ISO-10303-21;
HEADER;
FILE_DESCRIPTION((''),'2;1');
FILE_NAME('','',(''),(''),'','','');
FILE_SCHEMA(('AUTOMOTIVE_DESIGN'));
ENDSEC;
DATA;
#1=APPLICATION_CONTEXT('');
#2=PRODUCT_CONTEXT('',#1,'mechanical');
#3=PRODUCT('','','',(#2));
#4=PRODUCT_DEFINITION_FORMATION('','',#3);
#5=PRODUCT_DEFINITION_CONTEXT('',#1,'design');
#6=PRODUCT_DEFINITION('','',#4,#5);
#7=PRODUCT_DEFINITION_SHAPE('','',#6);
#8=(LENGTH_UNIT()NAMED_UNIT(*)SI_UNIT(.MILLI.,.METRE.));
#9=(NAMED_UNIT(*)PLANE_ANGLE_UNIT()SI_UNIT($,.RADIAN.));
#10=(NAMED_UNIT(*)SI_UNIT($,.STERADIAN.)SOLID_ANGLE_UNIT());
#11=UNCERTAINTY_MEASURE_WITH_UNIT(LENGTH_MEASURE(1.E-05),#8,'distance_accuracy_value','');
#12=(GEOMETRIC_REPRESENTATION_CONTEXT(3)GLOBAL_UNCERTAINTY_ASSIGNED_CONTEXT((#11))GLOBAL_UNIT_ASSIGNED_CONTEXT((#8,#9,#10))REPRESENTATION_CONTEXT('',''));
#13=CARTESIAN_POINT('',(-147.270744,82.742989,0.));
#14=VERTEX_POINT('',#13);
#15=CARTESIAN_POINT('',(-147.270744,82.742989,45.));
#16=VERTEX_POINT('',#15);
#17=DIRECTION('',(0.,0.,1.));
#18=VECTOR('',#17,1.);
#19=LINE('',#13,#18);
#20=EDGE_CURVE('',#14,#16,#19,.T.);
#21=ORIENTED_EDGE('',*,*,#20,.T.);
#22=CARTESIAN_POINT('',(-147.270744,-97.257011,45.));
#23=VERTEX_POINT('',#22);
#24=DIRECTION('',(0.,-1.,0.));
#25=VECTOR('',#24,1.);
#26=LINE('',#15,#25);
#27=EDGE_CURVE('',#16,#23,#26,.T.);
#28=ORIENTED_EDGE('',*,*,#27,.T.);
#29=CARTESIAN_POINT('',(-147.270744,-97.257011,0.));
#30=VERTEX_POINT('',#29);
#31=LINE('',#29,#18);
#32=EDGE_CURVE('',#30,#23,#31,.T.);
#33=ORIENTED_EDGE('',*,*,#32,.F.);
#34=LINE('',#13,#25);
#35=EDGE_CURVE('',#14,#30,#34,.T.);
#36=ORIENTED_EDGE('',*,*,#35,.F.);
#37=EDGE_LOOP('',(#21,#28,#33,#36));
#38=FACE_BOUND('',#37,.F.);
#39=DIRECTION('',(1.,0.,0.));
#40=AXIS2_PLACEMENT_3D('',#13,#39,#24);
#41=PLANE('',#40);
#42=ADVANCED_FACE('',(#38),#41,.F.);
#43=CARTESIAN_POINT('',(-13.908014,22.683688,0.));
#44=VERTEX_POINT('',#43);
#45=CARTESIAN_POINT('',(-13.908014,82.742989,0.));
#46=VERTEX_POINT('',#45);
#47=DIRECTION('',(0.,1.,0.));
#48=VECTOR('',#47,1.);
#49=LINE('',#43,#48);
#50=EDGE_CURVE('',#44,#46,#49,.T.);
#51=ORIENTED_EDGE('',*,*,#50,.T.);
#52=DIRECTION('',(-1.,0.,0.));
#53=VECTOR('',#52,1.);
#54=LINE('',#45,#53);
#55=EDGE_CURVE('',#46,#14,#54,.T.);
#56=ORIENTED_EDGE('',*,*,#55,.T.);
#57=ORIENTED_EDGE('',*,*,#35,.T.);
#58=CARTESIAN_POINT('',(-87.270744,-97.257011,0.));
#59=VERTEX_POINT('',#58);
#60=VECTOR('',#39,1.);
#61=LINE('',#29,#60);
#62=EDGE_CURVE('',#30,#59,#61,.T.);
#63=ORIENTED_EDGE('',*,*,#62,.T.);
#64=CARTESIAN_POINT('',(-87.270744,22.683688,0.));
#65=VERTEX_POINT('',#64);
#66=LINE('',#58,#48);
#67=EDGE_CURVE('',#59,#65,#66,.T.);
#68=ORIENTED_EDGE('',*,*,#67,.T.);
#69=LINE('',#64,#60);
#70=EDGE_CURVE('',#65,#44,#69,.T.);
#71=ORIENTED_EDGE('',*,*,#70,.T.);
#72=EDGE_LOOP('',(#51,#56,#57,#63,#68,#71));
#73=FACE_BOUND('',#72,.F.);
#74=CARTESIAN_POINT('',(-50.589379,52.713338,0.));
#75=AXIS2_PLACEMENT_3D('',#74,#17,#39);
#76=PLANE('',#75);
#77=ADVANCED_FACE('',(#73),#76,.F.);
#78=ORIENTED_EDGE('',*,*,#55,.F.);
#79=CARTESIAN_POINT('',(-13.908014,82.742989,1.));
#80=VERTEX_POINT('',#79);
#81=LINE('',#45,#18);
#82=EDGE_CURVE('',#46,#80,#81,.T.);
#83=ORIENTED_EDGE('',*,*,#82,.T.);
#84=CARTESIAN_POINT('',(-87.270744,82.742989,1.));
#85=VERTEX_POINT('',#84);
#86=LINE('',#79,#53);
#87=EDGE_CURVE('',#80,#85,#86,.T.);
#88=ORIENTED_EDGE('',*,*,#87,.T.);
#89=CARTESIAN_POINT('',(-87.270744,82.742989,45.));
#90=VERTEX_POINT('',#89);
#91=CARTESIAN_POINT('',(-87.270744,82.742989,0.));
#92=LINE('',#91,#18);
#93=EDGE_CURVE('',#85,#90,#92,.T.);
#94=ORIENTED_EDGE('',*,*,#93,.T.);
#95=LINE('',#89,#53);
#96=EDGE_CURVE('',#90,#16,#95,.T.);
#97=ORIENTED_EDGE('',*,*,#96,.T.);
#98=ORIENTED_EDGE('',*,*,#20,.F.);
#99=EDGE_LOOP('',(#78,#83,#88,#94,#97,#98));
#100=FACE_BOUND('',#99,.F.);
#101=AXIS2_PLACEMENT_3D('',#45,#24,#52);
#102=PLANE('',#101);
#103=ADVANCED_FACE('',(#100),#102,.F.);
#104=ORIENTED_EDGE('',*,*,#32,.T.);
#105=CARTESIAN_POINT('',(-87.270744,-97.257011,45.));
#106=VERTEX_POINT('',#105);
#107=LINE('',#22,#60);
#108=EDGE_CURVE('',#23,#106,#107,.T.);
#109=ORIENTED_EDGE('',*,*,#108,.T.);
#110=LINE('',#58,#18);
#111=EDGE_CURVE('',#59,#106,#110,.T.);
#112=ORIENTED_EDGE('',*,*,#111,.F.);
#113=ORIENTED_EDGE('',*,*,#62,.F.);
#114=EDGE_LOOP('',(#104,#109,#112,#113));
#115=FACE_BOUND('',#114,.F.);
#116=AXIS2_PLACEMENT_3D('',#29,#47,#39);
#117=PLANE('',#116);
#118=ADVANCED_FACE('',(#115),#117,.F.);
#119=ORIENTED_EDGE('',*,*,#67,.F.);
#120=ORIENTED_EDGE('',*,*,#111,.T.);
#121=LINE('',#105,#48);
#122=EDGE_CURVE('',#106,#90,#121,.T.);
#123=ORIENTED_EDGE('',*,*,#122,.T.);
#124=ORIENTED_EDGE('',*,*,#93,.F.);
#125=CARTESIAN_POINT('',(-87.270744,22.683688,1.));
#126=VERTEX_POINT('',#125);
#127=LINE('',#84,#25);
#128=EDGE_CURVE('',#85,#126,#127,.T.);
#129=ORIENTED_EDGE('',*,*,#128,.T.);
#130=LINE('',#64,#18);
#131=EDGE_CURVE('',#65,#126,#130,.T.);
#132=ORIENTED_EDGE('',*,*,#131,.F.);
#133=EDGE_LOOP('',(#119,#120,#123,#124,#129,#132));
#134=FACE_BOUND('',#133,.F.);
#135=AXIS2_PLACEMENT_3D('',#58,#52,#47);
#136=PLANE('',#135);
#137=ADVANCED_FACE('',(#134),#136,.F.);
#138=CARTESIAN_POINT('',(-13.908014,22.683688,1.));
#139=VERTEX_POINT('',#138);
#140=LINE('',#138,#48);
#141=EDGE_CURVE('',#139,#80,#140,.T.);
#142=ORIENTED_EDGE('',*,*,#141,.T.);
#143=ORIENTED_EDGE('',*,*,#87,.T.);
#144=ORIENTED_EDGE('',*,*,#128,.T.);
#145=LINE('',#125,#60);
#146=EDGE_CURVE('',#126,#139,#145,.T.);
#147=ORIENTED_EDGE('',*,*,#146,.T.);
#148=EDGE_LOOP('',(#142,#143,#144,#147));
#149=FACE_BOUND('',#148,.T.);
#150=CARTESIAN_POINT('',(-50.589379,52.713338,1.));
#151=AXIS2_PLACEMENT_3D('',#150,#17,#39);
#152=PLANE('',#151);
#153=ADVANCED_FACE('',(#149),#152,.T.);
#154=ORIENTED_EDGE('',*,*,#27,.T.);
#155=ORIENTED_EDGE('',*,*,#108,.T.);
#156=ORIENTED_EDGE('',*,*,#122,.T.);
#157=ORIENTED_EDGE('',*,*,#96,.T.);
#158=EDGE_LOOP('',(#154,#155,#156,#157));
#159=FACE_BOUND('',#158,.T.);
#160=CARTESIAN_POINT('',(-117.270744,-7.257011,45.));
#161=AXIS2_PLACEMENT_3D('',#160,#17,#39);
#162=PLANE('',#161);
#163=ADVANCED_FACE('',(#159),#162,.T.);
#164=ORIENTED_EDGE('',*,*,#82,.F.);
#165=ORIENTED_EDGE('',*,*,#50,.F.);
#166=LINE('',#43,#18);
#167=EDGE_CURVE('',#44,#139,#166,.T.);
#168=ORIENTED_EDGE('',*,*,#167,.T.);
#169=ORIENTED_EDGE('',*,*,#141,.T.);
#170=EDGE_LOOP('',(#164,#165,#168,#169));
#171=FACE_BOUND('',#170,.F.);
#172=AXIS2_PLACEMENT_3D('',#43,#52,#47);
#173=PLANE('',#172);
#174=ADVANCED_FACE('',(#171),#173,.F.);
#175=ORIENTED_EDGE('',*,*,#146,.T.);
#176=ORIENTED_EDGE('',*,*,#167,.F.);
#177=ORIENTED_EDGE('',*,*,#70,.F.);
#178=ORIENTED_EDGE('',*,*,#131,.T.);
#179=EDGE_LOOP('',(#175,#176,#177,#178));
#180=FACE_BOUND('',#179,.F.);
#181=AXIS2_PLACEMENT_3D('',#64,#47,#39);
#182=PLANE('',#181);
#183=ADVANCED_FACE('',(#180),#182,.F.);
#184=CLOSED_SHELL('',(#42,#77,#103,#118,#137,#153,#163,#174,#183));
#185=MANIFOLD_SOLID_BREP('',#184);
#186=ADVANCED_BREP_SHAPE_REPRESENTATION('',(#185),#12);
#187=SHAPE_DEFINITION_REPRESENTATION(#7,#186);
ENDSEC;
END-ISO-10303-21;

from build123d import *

# Parameters (mm, degrees)
F1_DEPTH = 45
F2_DEPTH = 1


with BuildPart() as f1:
    # F0 (on Top) → F1 (new body)
    with BuildSketch(Plane.XY):
        Polygon((-87.270744, 82.742989), (-147.270744, 82.742989), (-147.270744, -97.257011), (-87.270744, -97.257011), (-87.270744, 22.683688), align=None)
    extrude(amount=F1_DEPTH)

    # F0 (on Top) → F2 (join)
    with BuildSketch(Plane.XY):
        Polygon((-13.908014, 82.742989), (-87.270744, 82.742989), (-87.270744, 22.683688), (-67.270744, 22.683688), (-50.589379, 22.683688), (-29.065266, 22.683688), (-13.908014, 22.683688), align=None)
    extrude(amount=F2_DEPTH)


solid = f1.part
